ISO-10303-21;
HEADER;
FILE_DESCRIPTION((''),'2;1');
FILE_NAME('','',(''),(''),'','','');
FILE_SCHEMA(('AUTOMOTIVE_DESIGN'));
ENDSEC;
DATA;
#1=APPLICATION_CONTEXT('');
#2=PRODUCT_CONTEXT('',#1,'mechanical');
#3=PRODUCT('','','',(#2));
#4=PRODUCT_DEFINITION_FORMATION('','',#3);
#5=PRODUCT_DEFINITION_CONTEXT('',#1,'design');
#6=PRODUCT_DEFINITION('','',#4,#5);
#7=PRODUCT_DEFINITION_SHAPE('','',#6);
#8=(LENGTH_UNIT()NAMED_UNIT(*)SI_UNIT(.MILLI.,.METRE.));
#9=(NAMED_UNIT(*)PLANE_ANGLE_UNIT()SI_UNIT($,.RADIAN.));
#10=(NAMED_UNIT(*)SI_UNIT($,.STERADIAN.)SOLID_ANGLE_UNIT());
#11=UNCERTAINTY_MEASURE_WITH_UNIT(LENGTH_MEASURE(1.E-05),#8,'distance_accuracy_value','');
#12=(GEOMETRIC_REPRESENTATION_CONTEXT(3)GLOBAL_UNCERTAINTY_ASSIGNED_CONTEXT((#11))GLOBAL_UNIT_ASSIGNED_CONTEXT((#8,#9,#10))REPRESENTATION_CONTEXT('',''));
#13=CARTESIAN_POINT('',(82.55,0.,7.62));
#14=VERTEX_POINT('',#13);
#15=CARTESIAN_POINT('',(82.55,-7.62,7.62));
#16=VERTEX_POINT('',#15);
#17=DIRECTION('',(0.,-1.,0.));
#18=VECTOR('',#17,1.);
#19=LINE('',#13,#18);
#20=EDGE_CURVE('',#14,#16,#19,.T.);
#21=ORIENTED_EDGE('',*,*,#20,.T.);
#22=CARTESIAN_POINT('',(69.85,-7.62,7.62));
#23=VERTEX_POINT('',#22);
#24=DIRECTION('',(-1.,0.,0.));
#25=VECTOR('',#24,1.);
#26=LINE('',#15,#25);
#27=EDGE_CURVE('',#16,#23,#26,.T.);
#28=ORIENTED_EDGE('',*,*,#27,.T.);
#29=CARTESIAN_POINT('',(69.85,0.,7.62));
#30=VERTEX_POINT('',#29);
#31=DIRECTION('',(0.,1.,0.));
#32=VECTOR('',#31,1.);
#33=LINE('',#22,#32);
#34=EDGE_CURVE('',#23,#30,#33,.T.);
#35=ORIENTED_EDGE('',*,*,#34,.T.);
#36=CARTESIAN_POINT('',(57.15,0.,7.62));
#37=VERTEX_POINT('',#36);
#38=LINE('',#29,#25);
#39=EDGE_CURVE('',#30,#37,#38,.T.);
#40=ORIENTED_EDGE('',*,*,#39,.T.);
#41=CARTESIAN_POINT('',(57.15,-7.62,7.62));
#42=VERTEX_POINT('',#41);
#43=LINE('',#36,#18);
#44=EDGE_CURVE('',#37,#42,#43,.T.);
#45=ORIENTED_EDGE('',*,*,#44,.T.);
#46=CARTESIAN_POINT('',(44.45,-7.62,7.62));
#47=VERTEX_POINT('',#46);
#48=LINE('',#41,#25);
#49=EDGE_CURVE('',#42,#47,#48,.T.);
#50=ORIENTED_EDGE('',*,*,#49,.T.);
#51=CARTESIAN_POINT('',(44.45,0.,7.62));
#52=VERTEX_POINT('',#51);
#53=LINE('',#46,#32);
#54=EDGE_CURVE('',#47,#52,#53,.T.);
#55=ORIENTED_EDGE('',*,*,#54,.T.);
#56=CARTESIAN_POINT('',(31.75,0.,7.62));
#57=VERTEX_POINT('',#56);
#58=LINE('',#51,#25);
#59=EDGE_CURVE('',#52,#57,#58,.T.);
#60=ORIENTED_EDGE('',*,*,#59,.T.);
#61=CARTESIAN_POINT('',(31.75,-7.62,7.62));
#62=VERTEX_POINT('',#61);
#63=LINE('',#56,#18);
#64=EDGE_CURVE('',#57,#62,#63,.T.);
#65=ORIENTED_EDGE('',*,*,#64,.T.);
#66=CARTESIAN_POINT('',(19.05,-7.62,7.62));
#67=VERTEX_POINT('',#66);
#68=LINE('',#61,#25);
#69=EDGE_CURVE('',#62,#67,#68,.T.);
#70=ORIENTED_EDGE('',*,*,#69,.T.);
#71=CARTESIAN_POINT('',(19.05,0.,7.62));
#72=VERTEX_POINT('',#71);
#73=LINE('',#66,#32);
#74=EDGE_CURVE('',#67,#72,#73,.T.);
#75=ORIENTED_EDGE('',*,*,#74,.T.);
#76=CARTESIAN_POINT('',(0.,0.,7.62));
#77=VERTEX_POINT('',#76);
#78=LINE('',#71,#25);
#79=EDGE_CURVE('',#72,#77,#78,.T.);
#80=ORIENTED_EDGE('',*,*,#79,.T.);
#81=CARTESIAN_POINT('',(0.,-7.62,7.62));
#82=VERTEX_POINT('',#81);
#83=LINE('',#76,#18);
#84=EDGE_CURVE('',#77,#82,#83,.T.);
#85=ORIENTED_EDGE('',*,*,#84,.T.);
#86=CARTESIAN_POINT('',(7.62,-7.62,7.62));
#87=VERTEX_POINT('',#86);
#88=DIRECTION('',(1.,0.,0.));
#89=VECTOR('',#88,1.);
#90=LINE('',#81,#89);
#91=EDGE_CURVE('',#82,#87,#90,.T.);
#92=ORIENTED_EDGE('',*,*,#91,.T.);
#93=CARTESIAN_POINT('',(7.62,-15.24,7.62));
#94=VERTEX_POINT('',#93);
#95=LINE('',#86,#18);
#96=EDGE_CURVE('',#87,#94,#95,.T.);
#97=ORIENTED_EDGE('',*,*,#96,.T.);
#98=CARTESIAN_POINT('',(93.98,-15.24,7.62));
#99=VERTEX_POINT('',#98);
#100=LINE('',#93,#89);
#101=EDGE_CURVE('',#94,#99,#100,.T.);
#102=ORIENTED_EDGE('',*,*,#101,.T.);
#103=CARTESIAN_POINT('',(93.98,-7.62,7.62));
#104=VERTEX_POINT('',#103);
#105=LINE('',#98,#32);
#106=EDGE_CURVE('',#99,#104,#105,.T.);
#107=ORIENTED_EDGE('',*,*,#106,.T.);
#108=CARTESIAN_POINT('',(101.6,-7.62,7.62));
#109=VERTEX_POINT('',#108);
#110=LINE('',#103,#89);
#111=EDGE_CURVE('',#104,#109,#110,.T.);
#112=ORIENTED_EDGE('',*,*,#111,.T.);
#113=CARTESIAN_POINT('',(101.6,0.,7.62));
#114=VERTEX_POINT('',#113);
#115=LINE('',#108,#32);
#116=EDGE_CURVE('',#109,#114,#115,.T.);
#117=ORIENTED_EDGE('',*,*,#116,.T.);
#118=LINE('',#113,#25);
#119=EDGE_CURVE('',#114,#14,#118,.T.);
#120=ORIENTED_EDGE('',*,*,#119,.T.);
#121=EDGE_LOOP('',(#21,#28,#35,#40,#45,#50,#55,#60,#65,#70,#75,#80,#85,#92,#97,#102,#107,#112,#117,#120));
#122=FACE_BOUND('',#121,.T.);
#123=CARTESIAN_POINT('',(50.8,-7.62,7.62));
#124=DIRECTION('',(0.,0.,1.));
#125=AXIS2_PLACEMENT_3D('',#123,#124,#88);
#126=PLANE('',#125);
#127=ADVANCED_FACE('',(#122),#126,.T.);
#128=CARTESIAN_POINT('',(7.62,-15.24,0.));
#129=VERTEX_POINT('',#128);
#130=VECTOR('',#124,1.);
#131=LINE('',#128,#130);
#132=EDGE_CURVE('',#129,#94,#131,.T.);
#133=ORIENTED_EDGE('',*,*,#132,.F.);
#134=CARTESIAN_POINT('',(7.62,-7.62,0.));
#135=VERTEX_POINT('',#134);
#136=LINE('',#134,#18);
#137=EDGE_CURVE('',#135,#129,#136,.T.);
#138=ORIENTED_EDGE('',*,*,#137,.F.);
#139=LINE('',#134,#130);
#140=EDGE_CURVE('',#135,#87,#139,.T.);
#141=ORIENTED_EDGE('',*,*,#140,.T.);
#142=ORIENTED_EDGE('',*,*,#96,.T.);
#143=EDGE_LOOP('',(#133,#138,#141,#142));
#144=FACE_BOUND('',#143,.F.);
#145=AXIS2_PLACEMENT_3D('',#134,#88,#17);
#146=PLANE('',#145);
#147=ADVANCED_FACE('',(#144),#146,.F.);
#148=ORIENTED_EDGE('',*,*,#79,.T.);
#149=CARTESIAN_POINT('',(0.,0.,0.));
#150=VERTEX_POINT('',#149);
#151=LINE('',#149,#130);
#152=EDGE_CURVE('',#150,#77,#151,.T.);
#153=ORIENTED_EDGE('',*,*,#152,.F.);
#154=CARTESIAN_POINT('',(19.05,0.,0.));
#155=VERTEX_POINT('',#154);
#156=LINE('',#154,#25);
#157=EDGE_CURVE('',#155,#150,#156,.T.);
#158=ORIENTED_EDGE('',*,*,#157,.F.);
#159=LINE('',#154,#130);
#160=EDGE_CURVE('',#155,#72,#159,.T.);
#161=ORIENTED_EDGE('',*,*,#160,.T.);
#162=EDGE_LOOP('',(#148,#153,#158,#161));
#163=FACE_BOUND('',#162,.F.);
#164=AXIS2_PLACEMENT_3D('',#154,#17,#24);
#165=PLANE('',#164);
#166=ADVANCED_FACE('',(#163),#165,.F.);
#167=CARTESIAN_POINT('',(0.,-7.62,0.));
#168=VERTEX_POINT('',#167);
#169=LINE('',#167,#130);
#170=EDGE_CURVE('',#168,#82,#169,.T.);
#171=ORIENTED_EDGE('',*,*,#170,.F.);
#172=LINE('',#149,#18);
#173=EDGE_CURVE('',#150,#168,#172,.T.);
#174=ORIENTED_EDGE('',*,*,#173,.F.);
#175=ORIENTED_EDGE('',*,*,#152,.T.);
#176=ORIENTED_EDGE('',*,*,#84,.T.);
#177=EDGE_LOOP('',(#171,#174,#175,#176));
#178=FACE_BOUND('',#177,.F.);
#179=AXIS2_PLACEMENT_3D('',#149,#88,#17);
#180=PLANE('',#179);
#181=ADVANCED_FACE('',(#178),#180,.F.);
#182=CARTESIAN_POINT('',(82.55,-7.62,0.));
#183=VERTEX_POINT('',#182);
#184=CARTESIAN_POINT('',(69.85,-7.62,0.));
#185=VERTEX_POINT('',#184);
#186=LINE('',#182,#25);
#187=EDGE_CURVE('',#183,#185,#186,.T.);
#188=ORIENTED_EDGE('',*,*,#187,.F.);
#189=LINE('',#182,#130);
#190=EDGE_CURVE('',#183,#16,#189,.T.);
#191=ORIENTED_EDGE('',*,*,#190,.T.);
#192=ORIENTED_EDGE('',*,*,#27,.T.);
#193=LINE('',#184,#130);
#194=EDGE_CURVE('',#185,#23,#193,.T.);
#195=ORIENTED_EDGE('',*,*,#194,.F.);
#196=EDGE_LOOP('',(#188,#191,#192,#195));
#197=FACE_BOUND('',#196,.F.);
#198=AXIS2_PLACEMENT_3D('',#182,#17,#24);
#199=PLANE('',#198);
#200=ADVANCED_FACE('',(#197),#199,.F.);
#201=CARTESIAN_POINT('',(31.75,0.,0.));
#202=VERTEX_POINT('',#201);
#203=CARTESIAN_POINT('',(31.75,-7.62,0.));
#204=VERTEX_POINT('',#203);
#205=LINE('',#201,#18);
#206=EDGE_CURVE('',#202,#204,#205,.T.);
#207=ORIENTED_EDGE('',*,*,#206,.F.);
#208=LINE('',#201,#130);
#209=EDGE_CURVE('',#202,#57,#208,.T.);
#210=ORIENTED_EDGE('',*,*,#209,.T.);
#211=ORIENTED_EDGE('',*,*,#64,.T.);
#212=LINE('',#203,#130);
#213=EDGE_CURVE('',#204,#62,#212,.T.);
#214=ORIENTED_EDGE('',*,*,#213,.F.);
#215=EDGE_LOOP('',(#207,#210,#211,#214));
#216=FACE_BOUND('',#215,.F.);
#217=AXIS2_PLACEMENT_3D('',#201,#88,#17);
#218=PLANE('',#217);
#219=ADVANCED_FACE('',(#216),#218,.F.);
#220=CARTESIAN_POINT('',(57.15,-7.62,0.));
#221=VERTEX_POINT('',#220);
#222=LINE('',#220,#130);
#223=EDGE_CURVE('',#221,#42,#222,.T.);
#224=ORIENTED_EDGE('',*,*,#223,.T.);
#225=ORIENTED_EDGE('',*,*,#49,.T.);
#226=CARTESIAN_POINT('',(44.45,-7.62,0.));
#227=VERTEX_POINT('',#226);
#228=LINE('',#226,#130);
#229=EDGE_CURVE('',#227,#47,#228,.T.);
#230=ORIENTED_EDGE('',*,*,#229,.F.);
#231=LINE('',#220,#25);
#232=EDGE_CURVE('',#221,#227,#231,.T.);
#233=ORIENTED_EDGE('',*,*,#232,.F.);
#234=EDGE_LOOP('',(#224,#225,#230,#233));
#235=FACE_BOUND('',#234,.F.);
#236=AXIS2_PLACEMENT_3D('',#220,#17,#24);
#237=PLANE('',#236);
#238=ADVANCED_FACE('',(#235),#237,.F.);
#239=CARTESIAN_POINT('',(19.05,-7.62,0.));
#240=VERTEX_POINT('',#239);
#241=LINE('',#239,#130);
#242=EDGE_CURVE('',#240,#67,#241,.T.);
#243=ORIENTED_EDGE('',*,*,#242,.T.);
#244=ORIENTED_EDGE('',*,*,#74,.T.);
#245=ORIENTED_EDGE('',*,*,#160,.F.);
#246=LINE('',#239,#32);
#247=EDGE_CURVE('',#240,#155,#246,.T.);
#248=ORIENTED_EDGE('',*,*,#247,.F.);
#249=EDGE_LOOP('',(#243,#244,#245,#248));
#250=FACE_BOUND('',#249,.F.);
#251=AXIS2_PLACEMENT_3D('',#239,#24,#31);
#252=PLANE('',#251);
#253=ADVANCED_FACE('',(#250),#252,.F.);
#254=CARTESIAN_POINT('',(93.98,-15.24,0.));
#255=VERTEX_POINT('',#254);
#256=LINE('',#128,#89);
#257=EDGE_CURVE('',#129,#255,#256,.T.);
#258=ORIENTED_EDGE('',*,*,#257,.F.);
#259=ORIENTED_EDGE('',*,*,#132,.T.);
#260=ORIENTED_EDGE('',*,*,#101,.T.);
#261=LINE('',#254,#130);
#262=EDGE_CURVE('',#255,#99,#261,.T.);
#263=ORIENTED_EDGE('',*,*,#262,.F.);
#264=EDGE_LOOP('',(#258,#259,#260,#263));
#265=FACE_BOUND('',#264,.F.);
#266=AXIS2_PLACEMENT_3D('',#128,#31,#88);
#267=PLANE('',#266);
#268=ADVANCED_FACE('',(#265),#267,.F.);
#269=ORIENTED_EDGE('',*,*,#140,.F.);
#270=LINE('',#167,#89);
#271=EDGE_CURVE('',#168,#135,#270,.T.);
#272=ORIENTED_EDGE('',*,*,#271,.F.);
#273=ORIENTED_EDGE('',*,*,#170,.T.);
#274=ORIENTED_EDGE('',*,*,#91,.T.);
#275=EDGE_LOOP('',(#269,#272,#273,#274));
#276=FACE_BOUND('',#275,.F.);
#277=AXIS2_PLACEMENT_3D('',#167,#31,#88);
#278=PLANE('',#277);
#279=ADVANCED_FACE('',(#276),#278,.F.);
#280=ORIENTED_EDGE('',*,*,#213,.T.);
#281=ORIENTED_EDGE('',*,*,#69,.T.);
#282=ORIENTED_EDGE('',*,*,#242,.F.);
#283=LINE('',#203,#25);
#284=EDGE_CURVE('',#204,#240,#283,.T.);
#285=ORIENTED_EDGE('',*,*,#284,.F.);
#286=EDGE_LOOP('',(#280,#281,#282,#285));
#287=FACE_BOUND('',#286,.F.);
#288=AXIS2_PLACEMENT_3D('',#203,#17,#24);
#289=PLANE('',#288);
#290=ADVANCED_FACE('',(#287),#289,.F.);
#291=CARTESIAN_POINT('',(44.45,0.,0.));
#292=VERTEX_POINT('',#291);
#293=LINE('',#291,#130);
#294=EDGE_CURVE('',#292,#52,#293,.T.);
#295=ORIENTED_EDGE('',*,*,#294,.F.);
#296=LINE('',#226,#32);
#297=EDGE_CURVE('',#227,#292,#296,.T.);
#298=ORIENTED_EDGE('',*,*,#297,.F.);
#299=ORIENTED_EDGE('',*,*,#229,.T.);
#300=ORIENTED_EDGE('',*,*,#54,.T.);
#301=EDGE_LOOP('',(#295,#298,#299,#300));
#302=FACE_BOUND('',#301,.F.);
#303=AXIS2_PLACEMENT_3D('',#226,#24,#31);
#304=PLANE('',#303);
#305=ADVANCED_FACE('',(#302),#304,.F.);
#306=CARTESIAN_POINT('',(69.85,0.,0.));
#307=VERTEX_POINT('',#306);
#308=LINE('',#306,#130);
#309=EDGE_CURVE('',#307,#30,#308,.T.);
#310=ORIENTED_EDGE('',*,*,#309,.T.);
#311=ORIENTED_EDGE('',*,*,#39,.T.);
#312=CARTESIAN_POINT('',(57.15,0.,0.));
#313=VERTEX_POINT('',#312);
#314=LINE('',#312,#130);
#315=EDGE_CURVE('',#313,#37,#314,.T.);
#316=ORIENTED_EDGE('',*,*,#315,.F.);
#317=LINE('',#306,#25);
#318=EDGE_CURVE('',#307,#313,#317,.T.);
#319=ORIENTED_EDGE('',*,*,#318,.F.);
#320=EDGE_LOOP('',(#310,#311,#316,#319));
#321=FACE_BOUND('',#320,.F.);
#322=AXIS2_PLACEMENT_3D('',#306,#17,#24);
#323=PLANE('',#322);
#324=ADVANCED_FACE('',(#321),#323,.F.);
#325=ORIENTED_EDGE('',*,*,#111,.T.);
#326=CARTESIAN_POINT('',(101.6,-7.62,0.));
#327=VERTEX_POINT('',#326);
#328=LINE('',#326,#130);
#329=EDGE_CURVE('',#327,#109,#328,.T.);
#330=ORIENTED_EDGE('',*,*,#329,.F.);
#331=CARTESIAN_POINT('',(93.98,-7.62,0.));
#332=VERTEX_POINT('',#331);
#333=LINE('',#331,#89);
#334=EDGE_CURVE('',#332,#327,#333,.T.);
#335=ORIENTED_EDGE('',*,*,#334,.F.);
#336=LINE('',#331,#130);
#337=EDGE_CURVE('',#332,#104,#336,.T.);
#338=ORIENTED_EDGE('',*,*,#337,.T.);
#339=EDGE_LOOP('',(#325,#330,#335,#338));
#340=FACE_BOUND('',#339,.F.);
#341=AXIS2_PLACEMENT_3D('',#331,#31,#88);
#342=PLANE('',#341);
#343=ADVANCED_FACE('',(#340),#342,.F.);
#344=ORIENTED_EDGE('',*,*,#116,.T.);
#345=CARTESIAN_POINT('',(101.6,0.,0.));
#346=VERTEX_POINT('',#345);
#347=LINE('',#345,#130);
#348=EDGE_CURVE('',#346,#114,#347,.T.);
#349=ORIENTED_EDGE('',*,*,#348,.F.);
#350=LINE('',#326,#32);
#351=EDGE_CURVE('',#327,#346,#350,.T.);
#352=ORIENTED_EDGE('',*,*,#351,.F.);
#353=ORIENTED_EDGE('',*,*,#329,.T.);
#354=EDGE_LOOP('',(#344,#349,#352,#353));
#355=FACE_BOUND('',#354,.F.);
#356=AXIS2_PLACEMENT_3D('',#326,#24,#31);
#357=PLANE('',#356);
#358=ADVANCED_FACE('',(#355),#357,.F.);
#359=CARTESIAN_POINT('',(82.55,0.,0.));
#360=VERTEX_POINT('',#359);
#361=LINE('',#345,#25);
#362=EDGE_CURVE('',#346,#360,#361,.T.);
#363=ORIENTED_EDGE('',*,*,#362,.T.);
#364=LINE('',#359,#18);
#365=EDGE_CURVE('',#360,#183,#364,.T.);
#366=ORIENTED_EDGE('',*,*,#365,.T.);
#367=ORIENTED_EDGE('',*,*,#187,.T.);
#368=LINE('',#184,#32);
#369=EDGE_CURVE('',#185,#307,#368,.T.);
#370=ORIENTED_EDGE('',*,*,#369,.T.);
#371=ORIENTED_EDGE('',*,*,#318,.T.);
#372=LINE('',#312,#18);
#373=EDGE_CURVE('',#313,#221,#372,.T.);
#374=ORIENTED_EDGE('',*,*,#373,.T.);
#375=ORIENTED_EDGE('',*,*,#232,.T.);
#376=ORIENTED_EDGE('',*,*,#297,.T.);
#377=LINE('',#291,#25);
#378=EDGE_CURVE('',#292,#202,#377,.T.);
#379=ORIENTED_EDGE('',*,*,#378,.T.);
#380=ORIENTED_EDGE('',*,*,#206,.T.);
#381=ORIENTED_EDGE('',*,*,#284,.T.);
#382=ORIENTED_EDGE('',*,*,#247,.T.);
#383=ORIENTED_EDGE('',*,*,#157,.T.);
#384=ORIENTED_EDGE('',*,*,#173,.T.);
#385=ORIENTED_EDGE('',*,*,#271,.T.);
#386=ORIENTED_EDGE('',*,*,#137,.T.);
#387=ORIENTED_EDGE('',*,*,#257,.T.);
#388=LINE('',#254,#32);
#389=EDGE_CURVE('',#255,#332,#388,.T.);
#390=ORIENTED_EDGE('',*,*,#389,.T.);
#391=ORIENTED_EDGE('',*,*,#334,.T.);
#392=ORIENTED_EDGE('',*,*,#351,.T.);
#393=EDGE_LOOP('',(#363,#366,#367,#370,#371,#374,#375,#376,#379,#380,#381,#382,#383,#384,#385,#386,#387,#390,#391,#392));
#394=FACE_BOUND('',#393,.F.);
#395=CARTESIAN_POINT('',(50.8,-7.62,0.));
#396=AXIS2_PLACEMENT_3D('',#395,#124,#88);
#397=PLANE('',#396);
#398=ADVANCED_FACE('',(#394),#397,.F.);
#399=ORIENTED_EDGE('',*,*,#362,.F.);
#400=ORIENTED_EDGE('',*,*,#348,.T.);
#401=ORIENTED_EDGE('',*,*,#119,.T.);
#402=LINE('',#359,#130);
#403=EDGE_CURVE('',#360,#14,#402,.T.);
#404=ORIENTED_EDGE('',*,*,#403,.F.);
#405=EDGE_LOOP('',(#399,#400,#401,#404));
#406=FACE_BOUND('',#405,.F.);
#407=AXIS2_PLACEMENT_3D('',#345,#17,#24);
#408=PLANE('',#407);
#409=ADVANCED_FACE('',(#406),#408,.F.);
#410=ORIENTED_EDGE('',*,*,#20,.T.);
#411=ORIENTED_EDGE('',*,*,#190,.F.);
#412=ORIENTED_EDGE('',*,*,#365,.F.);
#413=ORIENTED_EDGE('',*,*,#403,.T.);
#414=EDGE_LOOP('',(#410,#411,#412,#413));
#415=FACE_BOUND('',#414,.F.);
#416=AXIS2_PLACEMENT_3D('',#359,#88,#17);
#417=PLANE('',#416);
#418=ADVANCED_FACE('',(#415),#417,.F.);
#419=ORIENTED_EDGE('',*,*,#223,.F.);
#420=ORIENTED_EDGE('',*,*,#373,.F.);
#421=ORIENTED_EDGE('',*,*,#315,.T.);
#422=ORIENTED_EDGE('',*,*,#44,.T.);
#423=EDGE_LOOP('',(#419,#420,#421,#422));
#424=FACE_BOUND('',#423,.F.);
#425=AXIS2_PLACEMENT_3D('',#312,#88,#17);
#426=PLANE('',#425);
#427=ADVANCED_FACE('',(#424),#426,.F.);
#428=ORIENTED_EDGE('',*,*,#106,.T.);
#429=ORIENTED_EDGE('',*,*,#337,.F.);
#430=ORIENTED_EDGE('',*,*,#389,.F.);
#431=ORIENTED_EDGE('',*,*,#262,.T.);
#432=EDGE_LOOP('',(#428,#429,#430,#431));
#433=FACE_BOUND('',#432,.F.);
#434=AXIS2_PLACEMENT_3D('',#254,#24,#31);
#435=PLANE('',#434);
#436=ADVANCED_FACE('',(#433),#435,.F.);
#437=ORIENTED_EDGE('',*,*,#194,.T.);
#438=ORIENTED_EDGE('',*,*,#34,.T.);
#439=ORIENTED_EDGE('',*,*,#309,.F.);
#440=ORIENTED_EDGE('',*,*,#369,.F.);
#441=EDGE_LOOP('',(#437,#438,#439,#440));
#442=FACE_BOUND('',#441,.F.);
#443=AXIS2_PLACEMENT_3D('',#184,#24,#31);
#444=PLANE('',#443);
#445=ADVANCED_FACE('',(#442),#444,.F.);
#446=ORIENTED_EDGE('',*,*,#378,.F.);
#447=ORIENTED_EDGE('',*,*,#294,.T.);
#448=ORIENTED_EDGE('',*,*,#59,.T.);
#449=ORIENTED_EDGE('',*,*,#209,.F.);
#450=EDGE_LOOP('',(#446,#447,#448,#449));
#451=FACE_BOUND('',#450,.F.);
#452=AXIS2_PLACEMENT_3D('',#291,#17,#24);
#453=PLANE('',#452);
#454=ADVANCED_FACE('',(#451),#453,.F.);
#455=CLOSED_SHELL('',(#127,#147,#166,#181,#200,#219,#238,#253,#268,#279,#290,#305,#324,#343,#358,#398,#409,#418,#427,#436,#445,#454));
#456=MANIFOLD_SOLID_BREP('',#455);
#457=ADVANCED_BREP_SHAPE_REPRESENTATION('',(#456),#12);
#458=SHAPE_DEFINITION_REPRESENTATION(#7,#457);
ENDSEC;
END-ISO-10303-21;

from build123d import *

# Parameters (mm, degrees)
F1_DEPTH = 7.62


with BuildPart() as f1:
    # F0 (on Top) → F1 (new body)
    with BuildSketch(Plane.XY):
        Polygon((19.05, 0), (0, 0), (0, -7.62), (7.62, -7.62), (7.62, -15.24), (93.98, -15.24), (93.98, -7.62), (101.6, -7.62), (101.6, 0), (82.55, 0), (82.55, -7.62), (69.85, -7.62), (69.85, 0), (57.15, 0), (57.15, -7.62), (44.45, -7.62), (44.45, 0), (31.75, 0), (31.75, -7.62), (19.05, -7.62), align=None)
    extrude(amount=F1_DEPTH)


solid = f1.part
